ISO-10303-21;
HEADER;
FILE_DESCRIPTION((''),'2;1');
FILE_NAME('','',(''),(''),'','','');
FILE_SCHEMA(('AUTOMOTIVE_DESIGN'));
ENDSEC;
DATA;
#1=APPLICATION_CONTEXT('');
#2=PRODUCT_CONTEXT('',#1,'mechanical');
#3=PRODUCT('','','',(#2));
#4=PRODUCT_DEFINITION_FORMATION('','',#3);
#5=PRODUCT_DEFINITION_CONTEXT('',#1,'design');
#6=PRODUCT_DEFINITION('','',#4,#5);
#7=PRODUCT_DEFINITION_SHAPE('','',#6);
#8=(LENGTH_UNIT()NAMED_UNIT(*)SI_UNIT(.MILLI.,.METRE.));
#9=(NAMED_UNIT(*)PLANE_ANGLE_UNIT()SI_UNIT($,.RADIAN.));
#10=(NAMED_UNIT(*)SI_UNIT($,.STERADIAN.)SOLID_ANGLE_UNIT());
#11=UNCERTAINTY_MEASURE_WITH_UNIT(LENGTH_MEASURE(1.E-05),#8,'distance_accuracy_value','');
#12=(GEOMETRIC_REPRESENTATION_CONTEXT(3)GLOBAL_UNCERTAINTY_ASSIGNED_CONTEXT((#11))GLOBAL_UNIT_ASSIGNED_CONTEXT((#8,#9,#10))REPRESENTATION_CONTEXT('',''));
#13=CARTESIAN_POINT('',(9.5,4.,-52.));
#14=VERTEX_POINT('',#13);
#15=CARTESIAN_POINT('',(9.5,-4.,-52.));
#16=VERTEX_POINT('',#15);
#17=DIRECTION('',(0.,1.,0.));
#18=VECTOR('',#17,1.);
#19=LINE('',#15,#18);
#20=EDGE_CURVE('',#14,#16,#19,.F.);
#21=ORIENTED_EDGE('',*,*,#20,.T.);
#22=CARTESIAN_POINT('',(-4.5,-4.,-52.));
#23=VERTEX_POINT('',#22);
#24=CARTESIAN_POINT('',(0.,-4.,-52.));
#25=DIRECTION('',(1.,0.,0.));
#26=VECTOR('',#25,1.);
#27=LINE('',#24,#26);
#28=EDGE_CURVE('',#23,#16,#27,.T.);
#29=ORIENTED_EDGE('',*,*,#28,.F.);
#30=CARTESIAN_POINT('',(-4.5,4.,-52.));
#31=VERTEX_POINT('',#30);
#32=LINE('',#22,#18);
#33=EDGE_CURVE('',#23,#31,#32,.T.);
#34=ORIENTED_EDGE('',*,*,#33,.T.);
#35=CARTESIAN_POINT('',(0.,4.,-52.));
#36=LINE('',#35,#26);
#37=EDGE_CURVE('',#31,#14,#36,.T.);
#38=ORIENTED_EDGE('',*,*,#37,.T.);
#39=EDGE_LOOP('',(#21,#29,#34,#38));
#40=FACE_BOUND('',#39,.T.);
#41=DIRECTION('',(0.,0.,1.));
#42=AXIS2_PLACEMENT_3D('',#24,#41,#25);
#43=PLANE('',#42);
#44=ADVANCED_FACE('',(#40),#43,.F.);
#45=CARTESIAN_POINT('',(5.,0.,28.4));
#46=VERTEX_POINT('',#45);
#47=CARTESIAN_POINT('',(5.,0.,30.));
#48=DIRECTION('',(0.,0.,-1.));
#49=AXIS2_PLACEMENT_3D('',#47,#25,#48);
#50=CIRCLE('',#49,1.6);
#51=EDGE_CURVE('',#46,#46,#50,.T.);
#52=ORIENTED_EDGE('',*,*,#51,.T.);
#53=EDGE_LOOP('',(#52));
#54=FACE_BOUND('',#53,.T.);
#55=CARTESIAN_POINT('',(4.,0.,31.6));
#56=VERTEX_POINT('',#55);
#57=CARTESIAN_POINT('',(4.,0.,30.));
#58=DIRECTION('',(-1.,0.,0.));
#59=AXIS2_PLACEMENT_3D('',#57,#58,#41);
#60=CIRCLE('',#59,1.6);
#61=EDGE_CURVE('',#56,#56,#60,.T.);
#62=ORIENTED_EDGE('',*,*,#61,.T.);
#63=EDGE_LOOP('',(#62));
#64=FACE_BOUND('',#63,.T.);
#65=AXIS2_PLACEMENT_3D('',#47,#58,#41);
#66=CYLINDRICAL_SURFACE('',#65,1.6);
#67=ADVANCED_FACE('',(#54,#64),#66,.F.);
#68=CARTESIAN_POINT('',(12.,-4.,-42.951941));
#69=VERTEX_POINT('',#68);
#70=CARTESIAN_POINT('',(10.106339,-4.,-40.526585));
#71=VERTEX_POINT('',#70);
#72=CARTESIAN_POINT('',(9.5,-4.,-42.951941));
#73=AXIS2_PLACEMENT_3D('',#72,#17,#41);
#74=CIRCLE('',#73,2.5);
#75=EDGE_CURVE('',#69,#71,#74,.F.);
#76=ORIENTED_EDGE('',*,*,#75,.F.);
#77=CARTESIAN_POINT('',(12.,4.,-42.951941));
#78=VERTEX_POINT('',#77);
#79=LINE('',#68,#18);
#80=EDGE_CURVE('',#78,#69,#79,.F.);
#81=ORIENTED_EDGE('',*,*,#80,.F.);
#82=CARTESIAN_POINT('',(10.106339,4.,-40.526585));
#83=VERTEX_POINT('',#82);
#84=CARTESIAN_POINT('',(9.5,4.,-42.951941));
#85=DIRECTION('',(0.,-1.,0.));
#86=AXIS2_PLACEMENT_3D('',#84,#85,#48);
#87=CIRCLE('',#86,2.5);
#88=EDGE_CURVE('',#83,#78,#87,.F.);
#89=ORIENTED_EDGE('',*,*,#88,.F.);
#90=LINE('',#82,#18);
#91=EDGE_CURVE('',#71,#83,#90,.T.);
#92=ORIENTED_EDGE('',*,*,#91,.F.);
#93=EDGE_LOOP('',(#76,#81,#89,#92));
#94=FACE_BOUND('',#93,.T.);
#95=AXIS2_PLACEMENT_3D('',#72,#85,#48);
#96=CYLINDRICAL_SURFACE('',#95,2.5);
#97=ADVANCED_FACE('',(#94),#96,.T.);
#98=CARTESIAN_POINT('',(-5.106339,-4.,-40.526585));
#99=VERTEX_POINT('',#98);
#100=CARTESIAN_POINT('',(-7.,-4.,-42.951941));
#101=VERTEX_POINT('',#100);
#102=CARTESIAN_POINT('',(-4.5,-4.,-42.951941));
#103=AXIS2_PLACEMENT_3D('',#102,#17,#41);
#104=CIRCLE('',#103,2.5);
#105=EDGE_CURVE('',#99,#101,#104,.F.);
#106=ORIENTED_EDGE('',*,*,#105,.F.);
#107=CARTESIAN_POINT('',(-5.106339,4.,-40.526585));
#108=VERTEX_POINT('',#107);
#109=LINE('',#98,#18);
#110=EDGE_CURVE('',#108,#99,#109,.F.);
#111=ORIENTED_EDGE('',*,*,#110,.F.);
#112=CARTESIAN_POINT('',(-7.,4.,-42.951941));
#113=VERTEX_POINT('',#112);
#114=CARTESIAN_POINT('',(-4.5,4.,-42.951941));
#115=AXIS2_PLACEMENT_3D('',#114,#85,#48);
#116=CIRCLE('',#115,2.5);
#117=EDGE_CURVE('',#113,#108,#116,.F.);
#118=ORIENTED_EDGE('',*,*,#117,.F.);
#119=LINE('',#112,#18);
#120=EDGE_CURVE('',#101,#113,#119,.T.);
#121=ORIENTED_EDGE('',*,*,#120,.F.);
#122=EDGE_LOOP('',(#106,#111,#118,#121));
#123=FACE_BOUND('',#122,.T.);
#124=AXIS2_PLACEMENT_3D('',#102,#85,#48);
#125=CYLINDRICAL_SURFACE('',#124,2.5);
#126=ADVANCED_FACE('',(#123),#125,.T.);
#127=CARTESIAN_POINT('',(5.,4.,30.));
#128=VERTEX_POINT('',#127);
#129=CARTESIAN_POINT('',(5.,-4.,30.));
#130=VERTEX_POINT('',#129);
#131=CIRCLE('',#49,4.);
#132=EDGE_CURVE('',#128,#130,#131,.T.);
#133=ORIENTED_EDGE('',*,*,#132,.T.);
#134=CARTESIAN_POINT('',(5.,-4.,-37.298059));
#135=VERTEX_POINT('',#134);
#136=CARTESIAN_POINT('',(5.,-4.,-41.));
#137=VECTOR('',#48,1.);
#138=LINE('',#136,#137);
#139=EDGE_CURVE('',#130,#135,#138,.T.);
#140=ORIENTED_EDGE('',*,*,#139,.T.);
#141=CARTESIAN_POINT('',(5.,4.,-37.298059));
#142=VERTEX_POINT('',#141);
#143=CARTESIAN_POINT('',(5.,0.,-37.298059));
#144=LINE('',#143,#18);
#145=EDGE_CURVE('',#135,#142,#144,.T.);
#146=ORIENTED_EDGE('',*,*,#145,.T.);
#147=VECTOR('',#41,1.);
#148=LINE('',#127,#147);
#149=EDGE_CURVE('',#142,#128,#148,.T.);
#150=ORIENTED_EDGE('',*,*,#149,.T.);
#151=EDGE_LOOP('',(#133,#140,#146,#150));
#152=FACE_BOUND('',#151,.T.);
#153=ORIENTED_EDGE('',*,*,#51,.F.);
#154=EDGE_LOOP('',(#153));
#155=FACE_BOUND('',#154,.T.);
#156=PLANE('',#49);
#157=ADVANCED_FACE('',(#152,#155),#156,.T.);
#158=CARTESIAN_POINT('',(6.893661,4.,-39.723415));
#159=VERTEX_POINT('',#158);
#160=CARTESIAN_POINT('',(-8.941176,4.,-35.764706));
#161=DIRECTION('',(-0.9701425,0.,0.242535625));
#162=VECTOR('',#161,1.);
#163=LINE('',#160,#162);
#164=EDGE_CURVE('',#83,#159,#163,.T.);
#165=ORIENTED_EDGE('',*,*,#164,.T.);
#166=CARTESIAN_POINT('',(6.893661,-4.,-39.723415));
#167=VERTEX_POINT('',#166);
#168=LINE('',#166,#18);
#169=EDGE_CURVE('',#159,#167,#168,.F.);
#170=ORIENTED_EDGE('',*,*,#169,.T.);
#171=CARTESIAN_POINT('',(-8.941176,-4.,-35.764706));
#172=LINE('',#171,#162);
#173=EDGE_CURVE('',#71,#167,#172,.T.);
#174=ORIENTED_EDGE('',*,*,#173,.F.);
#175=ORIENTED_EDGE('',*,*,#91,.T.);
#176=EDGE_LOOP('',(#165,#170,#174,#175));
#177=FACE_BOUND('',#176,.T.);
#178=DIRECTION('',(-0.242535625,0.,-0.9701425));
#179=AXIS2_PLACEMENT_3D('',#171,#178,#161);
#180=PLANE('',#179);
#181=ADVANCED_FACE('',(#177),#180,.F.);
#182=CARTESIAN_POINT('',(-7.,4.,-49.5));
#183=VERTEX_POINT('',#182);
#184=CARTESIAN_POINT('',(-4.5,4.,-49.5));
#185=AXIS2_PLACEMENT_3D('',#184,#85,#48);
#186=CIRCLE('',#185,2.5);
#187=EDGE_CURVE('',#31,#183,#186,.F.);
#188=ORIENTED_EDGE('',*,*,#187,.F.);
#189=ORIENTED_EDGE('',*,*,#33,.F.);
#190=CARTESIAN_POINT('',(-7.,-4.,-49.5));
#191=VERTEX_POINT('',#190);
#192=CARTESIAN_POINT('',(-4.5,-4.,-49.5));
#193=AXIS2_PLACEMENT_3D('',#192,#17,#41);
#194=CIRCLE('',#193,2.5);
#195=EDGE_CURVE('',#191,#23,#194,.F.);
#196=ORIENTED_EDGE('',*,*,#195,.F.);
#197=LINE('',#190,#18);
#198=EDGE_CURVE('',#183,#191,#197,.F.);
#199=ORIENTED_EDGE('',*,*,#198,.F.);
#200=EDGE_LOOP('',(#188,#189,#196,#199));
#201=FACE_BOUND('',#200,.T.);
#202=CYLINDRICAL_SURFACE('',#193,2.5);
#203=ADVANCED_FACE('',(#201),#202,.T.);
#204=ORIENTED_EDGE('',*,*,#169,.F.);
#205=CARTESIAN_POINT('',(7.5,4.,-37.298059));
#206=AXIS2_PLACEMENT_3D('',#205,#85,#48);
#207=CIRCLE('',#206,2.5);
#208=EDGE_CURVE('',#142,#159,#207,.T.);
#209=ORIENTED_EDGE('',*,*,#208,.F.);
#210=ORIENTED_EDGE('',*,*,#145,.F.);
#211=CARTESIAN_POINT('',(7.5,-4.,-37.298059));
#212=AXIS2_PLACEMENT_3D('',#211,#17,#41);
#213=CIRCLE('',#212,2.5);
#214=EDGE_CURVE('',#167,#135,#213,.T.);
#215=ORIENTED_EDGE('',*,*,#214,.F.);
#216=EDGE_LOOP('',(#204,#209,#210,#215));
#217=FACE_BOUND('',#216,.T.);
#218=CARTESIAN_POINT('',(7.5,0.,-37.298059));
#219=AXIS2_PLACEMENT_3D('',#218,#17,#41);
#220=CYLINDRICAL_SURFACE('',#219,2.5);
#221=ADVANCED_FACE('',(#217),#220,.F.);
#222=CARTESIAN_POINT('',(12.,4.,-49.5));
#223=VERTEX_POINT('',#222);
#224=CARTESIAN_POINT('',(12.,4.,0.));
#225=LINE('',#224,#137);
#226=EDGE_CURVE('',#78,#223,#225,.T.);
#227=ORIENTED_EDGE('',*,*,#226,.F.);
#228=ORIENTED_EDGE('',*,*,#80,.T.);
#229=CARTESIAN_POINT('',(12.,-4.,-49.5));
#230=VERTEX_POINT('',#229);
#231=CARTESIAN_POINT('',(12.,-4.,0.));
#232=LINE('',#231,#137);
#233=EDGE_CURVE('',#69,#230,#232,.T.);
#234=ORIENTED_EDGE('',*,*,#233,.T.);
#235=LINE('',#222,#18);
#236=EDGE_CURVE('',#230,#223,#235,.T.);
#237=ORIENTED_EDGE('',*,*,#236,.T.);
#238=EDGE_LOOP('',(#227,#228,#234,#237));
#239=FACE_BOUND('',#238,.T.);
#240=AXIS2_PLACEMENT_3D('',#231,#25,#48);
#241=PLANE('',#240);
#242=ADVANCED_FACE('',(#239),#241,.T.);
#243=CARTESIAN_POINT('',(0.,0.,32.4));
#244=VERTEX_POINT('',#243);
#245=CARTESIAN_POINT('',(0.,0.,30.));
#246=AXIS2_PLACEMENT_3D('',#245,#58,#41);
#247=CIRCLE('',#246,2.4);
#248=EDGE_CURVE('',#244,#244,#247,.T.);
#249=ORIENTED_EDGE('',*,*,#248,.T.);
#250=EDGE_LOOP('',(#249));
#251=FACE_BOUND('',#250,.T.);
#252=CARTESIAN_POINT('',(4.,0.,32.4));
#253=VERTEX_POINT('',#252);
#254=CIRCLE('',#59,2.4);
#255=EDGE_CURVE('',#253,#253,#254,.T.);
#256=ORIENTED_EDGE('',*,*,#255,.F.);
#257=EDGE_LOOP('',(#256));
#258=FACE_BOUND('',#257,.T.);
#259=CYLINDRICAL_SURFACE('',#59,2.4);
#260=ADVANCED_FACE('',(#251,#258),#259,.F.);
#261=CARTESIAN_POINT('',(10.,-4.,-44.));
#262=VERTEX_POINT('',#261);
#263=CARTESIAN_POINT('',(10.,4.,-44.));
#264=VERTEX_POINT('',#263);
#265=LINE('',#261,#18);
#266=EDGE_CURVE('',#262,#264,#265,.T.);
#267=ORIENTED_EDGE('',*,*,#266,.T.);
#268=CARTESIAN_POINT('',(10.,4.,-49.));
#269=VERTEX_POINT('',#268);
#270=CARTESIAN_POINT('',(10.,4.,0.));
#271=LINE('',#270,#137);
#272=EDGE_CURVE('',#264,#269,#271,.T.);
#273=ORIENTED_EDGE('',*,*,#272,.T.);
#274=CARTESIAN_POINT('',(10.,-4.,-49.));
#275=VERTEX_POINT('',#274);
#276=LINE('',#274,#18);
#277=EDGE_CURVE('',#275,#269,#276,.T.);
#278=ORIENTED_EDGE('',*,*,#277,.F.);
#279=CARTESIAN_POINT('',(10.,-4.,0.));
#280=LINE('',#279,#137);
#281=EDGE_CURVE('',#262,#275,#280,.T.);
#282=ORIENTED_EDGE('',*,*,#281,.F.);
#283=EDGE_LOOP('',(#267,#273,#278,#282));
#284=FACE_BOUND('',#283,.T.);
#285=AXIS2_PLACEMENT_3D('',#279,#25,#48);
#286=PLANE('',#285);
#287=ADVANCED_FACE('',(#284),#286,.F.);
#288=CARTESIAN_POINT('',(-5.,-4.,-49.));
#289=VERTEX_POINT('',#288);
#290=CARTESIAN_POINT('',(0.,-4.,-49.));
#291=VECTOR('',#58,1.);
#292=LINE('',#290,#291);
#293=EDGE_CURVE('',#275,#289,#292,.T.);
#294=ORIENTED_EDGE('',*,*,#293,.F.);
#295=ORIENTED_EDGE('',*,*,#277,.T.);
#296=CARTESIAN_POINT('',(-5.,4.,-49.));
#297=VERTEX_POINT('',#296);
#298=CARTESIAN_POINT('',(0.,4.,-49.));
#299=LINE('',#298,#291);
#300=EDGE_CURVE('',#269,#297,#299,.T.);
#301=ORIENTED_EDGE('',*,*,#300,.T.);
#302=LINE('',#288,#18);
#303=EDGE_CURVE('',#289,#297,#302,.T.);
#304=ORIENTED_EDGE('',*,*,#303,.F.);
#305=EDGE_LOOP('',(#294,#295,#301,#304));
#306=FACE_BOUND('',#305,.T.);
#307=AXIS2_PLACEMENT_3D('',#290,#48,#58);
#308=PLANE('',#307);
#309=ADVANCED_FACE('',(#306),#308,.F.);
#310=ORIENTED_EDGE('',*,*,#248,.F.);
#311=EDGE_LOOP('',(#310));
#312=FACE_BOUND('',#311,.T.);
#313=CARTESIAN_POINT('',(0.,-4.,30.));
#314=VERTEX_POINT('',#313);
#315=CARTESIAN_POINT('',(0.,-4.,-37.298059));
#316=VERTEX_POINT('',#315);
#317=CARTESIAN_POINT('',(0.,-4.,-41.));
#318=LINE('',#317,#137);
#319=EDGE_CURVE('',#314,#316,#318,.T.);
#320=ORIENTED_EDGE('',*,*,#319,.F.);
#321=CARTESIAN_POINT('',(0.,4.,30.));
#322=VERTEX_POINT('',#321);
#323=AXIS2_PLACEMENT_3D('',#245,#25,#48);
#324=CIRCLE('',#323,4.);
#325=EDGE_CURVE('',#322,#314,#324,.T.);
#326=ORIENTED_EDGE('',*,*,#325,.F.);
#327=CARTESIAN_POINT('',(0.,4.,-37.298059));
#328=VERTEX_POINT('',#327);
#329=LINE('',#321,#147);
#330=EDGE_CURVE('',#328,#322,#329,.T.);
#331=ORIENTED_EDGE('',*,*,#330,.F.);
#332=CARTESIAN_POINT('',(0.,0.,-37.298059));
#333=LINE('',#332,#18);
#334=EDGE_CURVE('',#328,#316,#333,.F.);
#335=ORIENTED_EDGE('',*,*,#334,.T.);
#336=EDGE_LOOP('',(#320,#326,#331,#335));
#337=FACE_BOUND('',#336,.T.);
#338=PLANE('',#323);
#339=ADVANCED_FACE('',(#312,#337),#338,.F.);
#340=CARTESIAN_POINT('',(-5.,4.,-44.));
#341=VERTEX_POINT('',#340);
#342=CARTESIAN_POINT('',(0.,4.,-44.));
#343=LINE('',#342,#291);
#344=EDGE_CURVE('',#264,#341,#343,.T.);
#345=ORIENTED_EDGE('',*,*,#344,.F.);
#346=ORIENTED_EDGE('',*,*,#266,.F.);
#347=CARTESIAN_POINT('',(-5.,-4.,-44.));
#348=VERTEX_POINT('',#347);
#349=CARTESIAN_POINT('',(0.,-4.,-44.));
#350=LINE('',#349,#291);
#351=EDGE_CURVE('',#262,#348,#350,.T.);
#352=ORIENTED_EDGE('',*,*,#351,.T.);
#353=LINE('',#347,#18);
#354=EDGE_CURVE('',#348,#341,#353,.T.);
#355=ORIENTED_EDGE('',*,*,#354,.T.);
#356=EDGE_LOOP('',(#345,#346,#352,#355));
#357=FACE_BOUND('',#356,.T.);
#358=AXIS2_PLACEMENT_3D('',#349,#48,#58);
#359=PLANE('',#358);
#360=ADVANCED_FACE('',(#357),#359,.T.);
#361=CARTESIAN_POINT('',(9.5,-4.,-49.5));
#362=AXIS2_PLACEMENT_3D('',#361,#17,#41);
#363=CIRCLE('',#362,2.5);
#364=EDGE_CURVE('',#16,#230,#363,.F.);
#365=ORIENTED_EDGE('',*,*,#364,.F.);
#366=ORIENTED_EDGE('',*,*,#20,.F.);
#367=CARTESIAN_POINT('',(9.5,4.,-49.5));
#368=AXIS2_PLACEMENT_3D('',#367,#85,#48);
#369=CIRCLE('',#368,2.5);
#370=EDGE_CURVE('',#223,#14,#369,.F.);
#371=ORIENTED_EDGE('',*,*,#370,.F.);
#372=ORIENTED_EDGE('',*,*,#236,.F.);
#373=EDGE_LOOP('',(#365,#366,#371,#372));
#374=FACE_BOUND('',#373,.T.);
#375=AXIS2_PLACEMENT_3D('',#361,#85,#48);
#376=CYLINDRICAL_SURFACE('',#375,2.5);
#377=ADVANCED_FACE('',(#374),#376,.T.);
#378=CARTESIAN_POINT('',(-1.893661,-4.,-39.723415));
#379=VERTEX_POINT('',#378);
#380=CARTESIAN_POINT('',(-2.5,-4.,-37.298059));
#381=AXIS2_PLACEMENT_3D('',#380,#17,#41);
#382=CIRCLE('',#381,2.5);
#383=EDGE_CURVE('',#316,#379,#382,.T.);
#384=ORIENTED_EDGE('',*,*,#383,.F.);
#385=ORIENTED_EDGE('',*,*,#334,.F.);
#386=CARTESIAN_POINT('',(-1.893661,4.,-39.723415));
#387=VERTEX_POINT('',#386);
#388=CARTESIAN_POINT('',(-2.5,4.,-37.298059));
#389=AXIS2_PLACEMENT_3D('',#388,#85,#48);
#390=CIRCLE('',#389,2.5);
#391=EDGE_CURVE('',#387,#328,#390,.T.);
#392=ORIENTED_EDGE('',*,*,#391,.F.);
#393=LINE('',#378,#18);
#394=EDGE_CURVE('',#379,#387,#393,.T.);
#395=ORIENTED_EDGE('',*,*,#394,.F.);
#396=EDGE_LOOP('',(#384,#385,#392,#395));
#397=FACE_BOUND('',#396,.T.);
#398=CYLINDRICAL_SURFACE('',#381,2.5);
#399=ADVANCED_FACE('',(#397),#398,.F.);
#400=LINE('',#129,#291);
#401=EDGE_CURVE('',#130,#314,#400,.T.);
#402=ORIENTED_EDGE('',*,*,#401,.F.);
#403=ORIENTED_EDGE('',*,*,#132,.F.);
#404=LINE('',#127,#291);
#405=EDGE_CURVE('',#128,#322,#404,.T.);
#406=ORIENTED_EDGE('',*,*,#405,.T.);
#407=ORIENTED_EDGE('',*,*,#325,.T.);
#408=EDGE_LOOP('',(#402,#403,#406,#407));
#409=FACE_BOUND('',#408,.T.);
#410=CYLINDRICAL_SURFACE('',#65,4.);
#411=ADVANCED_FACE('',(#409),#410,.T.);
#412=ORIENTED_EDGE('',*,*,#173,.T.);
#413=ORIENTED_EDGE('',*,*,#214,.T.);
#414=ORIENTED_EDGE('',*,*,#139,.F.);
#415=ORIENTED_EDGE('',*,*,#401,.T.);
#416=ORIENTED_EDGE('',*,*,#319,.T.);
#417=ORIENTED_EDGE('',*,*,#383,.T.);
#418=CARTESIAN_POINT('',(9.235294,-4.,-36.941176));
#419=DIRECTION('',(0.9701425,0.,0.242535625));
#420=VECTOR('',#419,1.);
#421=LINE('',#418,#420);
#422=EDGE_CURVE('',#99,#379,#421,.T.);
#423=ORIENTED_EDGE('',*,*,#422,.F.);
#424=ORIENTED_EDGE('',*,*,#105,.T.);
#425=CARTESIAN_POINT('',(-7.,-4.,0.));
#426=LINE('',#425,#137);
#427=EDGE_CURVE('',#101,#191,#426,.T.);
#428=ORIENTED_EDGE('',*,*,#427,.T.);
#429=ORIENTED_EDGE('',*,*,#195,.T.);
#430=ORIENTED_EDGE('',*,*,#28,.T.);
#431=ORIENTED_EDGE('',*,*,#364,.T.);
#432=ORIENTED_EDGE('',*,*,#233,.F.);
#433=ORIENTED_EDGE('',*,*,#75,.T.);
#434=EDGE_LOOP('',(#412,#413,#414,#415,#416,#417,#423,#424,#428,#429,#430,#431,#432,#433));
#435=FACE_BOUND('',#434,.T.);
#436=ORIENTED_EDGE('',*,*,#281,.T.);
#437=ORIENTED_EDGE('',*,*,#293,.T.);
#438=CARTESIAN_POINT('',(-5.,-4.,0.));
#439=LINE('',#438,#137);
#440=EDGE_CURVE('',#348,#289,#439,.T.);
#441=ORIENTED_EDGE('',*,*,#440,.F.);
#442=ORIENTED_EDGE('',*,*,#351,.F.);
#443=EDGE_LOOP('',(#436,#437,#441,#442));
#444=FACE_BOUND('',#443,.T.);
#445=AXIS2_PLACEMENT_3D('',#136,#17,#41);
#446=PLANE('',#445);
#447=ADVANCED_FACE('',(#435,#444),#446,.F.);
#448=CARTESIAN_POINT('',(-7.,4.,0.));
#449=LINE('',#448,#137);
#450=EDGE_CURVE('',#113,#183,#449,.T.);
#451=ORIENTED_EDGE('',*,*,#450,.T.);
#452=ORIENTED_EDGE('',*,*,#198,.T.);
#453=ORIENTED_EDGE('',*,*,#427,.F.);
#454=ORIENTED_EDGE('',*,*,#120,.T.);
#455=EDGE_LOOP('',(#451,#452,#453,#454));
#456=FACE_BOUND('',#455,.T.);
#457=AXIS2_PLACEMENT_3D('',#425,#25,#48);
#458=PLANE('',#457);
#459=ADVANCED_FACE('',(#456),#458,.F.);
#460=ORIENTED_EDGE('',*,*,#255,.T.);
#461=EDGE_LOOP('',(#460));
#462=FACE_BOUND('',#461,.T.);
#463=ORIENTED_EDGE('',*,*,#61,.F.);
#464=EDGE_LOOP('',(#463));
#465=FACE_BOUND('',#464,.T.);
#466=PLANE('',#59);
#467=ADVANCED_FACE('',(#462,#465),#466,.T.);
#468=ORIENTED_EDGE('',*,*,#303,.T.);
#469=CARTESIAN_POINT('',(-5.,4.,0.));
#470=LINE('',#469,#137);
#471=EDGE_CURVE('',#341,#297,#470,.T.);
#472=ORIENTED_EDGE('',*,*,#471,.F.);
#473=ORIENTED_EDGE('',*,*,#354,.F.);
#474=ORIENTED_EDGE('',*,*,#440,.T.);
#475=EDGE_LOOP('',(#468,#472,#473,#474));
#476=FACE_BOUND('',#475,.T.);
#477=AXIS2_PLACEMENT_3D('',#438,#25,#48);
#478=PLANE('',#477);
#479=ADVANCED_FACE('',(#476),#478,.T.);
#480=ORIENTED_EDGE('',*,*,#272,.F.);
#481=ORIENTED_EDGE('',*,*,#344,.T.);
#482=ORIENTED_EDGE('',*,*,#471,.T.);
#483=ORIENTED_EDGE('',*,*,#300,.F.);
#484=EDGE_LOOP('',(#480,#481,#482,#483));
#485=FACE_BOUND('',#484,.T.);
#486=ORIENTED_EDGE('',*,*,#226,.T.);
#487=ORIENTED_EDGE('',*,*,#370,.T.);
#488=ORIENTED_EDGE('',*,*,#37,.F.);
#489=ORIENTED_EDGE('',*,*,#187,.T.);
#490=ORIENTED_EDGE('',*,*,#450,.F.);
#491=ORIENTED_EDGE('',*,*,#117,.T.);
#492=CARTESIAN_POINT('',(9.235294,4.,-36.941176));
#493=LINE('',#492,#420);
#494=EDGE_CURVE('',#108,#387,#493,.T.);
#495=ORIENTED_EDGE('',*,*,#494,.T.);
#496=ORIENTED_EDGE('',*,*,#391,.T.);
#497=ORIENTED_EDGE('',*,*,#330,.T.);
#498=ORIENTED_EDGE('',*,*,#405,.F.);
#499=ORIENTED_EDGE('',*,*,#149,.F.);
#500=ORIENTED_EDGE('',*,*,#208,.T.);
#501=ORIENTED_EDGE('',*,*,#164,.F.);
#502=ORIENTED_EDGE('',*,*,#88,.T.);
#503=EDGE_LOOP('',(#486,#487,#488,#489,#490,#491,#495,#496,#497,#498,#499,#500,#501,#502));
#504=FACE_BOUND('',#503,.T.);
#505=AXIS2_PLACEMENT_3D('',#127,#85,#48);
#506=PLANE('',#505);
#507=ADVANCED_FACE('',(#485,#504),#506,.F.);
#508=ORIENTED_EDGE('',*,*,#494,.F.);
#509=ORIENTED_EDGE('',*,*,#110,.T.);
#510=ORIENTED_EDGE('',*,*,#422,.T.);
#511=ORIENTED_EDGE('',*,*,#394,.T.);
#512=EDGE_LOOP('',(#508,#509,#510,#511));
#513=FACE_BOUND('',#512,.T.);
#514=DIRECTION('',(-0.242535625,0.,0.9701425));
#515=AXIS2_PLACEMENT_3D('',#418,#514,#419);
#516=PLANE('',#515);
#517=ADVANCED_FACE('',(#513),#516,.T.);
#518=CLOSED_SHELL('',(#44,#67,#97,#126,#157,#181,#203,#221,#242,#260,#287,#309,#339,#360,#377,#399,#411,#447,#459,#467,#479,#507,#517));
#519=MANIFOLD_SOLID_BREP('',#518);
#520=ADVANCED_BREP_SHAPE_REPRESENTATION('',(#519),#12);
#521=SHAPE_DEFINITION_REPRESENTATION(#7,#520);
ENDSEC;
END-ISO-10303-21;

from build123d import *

# Parameters (mm, degrees)
ESQUISSE1_R             = 1.6
BOSS_EXTRU_1_DEPTH      = 5
ESQUISSE3_W             = 15
ESQUISSE3_H             = 5
BOSS_EXTRU_2_DEPTH      = 8
ESQUISSE4_R             = 2.4
ENL_V_MAT_EXTRU_1_DEPTH = 4
CONG_2_R                = 2.5


with BuildPart() as part:
    # Esquisse1 → Boss.-Extru.1 (new body)
    with BuildSketch(Plane(origin=(0, 0, 0), x_dir=(0, 0, -1), z_dir=(1, 0, 0))):
        with BuildLine():
            Line((-30, 4), (41, 4))
            Line((41, 4), (41, -4))
            Line((41, -4), (-30, -4))
            ThreePointArc((-30, -4), (-34, 0), (-30, 4))
        make_face()
        with Locations((-30, 0)):
            Circle(ESQUISSE1_R, mode=Mode.SUBTRACT)
    extrude(amount=BOSS_EXTRU_1_DEPTH)

    # Esquisse3 → Boss.-Extru.2 (add)
    # profile 1 of 3: a face of its own
    with BuildSketch(Plane(origin=(0, 4, 0), x_dir=(1, 0, 0), z_dir=(0, 1, 0))):
        Polygon((5, 41), (12, 41), (12, 52), (-7, 52), (-7, 41), (0, 41), align=None)
        with Locations((2.5, 46.5)):
            Rectangle(ESQUISSE3_W, ESQUISSE3_H, mode=Mode.SUBTRACT)
    # profile 2 of 3: a face of its own
    with BuildSketch(Plane(origin=(0, 4, 0), x_dir=(1, 0, 0), z_dir=(0, 1, 0))):
        Polygon((0, 39.25), (0, 41), (-7, 41), align=None)
    # profile 3 of 3: a face of its own
    with BuildSketch(Plane(origin=(0, 4, 0), x_dir=(1, 0, 0), z_dir=(0, 1, 0))):
        Polygon((12, 41), (5, 41), (5, 39.25), align=None)
    extrude(amount=-BOSS_EXTRU_2_DEPTH)

    # Esquisse4 → Enlèv. mat.-Extru.1 (cut)
    with BuildSketch(Plane.ZY):
        with Locations((30, 0)):
            Circle(ESQUISSE4_R)
    extrude(amount=-ENL_V_MAT_EXTRU_1_DEPTH, mode=Mode.SUBTRACT)

    # Congé2
    cong_2_edges = [part.edges().sort_by_distance(p)[0] for p in [
        (0, 0, -39.25),
        (-7, 0, -41),
        (-7, 0, -52),
        (12, 0, -52),
        (12, 0, -41),
        (5, 0, -39.25),
    ]]
    fillet(cong_2_edges, radius=CONG_2_R)


solid = part.part
